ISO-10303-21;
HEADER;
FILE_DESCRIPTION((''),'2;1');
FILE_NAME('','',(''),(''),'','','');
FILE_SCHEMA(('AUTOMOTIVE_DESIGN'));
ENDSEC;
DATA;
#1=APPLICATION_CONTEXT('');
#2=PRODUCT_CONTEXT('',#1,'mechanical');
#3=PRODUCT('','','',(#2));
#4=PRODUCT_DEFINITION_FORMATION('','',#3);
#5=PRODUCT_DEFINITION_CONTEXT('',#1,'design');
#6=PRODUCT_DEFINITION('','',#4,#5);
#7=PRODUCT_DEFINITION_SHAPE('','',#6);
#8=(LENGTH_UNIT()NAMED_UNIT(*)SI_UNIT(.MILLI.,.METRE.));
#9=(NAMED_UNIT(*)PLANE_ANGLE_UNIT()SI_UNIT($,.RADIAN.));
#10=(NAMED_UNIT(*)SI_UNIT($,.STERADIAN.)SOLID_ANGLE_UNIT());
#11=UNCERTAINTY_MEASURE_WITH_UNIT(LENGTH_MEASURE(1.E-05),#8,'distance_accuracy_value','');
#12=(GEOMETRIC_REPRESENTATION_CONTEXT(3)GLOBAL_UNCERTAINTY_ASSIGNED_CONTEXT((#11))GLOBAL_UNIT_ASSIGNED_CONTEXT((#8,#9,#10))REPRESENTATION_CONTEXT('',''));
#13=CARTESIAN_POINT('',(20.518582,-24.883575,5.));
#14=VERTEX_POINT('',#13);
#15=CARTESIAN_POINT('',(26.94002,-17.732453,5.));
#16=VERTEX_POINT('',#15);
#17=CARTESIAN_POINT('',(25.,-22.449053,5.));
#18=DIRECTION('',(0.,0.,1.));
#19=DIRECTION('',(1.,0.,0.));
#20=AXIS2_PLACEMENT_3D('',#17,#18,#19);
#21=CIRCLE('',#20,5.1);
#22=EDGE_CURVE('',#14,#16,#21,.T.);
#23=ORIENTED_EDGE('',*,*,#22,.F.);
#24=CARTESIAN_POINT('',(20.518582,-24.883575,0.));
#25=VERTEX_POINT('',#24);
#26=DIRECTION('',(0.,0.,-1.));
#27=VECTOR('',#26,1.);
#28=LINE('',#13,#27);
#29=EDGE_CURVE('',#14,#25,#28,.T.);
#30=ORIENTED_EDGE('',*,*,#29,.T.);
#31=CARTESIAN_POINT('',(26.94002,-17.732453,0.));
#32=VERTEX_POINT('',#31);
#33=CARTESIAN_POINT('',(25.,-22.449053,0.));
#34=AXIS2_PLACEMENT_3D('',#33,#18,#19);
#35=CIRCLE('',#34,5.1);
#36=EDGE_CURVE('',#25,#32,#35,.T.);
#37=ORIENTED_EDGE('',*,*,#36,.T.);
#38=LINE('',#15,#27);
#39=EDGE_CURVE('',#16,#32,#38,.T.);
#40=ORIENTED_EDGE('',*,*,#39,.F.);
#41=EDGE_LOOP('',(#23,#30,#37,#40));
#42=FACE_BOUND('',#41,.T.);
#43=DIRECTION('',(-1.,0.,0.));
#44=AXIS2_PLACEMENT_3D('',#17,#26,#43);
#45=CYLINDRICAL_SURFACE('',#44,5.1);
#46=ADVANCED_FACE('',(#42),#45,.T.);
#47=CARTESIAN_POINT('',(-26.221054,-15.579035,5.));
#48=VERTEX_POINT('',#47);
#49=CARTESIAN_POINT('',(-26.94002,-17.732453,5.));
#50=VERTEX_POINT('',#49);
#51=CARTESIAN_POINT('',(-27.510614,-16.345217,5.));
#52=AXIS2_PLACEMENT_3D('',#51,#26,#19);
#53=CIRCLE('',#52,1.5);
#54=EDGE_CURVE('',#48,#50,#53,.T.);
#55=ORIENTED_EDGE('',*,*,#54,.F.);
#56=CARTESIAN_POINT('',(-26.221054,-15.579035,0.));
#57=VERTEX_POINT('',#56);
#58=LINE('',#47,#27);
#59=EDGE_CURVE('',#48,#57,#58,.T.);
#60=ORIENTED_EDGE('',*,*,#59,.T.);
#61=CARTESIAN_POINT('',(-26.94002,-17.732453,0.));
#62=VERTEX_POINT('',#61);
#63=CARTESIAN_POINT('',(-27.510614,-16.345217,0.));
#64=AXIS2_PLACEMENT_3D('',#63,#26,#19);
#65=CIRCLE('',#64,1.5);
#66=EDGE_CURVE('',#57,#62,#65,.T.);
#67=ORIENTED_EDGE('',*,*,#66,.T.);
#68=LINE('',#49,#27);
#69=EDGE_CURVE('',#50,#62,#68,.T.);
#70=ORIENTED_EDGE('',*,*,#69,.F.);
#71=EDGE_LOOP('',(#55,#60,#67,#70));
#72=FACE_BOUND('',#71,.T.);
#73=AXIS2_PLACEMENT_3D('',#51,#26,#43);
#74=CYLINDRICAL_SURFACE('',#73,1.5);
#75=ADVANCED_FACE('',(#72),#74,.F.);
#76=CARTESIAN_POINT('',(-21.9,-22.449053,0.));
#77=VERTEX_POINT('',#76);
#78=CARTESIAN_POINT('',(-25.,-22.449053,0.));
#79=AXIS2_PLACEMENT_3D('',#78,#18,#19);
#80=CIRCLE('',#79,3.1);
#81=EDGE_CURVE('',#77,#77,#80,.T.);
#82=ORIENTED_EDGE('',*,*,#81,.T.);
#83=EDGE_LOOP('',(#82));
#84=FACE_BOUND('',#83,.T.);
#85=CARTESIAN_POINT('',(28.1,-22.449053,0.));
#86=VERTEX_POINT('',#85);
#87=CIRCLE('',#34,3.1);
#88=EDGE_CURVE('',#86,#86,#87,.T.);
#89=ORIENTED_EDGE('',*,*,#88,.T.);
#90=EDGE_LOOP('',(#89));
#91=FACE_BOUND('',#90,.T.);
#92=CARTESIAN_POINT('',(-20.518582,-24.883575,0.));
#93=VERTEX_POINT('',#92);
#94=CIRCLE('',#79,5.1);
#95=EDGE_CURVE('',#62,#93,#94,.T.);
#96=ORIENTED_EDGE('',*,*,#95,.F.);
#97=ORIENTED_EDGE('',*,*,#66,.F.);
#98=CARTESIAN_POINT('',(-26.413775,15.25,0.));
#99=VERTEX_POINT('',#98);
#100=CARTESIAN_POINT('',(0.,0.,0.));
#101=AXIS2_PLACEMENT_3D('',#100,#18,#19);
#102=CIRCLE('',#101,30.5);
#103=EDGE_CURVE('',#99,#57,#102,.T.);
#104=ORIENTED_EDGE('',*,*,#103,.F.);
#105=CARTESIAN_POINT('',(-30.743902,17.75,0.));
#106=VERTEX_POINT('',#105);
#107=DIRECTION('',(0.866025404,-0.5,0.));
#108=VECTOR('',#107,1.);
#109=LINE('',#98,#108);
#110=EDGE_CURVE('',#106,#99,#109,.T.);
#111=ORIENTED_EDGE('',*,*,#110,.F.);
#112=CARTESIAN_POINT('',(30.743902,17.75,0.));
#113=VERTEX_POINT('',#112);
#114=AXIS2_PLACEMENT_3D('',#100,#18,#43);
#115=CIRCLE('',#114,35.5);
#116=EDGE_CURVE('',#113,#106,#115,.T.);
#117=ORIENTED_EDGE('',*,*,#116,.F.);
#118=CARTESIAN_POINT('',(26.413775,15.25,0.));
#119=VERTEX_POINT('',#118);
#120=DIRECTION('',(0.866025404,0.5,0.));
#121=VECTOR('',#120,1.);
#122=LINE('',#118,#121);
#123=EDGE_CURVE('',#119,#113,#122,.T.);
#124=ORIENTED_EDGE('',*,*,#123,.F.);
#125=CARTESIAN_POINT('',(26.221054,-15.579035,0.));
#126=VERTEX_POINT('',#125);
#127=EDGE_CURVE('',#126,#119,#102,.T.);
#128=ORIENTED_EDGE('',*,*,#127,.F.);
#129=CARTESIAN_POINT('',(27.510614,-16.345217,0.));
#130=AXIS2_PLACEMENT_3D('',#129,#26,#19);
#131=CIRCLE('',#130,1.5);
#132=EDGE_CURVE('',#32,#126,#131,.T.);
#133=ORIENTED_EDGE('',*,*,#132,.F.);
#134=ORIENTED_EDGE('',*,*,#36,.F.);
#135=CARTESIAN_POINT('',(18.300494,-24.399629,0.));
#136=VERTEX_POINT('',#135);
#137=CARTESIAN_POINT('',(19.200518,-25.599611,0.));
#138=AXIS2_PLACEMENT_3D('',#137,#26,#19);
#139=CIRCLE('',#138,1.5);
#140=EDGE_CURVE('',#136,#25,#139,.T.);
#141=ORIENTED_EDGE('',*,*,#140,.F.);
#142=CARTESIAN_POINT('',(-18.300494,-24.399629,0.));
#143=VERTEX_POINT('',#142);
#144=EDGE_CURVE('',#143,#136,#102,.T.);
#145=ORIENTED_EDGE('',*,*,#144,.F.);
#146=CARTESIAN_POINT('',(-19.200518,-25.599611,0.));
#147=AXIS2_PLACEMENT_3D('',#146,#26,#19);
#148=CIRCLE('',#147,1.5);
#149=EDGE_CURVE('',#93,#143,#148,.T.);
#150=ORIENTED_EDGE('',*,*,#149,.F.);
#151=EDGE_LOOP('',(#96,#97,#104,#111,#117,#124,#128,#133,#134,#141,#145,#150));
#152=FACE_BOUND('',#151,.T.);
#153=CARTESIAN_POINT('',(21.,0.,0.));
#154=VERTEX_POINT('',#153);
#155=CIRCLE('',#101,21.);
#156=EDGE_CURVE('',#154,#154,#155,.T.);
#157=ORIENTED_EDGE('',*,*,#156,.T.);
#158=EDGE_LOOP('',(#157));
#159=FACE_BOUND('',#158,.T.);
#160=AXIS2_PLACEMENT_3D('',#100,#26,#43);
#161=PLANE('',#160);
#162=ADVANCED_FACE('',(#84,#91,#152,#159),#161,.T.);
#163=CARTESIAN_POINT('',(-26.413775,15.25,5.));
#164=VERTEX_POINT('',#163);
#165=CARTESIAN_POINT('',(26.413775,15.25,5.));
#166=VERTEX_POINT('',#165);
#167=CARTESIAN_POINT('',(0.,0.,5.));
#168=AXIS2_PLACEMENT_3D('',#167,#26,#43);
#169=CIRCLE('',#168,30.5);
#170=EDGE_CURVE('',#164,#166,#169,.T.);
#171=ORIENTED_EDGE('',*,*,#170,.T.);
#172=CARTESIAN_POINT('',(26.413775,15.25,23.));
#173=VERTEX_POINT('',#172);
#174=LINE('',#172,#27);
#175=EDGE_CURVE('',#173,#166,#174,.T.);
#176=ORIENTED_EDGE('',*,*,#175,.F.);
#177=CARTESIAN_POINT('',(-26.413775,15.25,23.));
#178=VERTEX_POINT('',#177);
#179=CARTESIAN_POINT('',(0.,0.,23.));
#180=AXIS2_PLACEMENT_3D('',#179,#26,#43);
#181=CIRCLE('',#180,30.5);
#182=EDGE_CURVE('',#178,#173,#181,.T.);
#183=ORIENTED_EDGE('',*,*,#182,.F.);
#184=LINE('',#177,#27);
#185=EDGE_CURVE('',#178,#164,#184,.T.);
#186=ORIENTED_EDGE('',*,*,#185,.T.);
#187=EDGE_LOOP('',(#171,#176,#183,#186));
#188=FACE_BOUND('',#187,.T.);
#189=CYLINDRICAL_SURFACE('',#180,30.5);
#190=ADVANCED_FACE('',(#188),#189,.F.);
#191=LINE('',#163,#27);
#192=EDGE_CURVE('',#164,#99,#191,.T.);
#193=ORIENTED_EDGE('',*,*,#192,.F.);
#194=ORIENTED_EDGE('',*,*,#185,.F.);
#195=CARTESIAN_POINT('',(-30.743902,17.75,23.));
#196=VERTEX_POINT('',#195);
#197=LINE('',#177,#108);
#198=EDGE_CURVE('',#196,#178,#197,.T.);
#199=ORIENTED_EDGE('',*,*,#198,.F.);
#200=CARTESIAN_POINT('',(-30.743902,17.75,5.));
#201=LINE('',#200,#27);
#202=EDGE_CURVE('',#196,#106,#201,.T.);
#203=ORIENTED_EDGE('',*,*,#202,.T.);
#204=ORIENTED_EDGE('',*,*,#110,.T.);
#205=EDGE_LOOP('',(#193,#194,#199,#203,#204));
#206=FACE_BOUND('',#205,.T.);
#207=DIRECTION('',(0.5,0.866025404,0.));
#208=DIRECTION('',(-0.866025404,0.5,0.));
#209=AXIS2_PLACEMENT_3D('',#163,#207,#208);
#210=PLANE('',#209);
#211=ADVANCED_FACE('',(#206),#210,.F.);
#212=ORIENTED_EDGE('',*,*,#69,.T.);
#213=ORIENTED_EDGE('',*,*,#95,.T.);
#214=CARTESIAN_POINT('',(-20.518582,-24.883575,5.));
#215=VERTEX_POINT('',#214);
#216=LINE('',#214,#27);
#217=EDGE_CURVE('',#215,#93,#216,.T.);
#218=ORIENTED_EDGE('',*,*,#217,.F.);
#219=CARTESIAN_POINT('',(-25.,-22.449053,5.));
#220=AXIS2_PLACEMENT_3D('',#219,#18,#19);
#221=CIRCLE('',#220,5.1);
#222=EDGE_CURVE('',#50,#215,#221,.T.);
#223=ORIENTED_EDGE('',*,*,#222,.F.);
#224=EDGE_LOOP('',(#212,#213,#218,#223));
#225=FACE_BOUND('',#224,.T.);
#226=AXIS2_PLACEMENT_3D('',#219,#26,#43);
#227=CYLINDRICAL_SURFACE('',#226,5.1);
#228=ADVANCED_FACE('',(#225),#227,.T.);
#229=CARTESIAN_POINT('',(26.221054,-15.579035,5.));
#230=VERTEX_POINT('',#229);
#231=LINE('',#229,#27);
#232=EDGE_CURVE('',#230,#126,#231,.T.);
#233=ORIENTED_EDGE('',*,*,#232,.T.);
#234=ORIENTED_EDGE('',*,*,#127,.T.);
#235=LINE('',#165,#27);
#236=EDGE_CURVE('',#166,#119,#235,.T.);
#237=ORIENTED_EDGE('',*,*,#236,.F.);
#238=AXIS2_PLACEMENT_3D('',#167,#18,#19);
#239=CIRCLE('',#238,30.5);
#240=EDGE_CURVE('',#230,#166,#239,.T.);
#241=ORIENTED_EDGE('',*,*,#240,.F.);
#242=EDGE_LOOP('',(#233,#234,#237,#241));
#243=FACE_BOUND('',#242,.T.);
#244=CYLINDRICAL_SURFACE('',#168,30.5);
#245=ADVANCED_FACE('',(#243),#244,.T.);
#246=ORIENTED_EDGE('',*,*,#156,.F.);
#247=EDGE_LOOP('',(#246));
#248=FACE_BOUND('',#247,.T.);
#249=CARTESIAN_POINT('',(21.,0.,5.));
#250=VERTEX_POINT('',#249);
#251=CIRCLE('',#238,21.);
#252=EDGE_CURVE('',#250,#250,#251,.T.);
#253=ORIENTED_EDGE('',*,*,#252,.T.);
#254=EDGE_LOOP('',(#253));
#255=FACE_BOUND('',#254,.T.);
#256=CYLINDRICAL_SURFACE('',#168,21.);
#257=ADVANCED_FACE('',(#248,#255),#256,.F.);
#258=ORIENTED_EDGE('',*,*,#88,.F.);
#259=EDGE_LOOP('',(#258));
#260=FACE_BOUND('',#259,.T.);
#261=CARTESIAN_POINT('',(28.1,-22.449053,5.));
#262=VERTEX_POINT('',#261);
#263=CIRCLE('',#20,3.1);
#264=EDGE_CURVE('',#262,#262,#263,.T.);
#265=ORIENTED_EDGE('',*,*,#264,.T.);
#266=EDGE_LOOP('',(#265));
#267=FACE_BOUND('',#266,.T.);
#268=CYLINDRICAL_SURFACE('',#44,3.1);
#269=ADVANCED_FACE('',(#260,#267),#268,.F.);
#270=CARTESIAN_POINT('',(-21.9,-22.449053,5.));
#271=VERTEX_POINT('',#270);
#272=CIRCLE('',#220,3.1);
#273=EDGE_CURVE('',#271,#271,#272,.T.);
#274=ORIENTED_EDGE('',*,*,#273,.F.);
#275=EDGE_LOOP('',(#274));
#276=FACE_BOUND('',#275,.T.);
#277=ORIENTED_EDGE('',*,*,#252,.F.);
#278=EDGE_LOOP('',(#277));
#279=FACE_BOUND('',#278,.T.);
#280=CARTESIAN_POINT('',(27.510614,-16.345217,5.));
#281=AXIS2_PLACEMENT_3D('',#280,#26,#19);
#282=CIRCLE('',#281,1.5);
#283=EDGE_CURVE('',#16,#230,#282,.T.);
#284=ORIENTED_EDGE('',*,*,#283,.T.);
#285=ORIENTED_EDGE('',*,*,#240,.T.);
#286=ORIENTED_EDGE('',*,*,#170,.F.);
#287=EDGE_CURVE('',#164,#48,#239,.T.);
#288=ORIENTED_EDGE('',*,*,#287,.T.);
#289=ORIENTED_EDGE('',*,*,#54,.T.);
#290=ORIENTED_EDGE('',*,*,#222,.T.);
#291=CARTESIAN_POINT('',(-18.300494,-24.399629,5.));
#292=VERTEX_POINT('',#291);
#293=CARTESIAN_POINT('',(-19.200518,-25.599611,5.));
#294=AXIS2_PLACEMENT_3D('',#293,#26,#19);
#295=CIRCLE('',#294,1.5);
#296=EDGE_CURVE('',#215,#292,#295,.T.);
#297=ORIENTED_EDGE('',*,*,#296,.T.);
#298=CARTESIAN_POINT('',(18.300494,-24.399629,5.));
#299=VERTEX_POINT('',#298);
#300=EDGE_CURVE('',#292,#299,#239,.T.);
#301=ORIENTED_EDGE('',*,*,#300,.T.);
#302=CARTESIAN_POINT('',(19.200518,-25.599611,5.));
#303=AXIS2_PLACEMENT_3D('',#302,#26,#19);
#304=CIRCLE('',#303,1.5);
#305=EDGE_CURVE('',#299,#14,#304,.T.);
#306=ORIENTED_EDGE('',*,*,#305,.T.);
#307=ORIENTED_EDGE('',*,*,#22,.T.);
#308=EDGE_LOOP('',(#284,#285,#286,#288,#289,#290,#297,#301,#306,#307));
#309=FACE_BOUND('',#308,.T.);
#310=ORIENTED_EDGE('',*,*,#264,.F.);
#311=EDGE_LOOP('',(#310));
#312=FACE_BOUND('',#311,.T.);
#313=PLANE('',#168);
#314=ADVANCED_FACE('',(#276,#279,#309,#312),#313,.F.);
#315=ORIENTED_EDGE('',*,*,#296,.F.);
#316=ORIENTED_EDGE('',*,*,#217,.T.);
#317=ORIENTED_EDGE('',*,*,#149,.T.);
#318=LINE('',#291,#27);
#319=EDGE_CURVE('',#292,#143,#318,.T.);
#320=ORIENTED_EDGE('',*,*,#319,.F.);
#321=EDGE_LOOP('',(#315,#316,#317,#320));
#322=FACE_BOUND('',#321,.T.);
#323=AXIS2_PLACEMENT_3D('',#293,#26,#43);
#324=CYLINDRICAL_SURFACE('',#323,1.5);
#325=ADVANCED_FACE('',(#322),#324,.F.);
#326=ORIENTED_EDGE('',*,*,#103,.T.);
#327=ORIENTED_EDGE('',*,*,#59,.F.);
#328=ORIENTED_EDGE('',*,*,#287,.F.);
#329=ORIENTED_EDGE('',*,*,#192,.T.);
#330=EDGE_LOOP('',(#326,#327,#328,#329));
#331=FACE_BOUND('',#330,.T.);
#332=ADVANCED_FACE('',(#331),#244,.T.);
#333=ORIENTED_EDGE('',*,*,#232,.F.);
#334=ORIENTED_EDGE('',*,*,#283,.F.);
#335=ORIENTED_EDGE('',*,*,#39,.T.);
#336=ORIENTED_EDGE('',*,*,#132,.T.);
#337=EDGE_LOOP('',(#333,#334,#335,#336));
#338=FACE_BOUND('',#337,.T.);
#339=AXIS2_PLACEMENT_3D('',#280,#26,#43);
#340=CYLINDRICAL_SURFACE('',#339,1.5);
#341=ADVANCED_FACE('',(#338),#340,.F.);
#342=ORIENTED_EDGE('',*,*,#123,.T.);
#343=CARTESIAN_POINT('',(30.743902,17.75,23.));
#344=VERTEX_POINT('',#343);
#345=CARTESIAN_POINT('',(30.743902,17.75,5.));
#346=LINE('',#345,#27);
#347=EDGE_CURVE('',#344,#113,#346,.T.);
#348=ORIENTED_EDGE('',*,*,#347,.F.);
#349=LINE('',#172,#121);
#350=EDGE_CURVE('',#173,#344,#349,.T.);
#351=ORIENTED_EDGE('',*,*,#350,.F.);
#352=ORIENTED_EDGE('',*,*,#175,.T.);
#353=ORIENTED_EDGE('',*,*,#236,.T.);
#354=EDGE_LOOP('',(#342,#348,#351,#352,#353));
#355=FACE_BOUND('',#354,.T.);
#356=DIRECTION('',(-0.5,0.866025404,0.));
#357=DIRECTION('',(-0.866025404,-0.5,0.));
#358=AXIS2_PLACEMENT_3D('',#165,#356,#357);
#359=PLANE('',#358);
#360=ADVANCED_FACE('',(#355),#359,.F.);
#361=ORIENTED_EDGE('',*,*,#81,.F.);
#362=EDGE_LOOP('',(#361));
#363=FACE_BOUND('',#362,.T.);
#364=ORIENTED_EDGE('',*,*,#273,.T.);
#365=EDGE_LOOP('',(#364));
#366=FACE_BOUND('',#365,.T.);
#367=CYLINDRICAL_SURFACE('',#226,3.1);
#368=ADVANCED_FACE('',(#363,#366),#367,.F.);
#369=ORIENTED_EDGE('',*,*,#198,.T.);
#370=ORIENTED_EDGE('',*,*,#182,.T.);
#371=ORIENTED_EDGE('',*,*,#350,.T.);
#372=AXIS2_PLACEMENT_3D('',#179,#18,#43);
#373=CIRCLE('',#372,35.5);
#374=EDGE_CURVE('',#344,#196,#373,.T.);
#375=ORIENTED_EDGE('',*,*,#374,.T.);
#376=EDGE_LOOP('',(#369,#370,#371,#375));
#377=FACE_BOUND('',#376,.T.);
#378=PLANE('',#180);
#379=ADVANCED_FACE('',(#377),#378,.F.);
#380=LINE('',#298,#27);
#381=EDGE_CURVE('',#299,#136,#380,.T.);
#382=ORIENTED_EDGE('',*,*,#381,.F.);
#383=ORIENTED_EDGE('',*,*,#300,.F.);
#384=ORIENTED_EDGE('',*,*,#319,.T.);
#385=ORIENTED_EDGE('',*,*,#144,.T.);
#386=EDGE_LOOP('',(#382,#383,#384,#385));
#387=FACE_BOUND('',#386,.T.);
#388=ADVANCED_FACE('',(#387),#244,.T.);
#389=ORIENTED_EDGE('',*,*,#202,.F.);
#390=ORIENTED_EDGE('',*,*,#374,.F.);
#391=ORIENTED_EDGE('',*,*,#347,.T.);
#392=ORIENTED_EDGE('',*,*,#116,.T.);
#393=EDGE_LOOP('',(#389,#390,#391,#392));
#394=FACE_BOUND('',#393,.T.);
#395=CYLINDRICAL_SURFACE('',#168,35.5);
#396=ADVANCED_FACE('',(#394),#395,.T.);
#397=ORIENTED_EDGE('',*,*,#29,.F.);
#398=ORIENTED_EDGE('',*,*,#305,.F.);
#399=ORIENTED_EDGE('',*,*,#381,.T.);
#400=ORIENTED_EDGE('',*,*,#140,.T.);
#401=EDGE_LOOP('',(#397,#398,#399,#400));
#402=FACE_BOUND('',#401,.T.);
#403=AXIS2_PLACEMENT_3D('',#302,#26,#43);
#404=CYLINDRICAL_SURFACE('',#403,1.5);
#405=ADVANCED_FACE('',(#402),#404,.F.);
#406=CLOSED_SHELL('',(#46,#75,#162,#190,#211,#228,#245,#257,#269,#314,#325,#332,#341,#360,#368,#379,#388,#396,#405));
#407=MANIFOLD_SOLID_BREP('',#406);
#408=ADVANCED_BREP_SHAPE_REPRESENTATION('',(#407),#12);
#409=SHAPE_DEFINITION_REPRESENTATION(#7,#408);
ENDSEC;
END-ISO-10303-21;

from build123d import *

# Parameters (mm, degrees)
ESBO_O1_R                = 21
ESBO_O1_R_2              = 3.1
RESSALTO_EXTRUS_O1_DEPTH = 5
RESSALTO_EXTRUS_O2_DEPTH = 18


with BuildPart() as part:
    # Esboço1 → Ressalto-extrusão1 (new body)
    with BuildSketch(Plane.XY):
        with BuildLine():
            Line((-26.413774815, 15.25), (-30.743901834, 17.75))
            ThreePointArc((-30.743901834, 17.75), (0, 35.5), (30.743901834, 17.75))
            Line((30.743901834, 17.75), (26.413774815, 15.25))
            ThreePointArc((26.413774815, 15.25), (30.49940407, -0.19066032), (26.22105388, -15.579035061))
            ThreePointArc((26.22105388, -15.579035061), (26.087819075, -16.82024855), (26.940019837, -17.73245264))
            ThreePointArc((26.940019837, -17.73245264), (28.794642857, -25.856499042), (20.518582449, -24.883575301))
            ThreePointArc((20.518582449, -24.883575301), (19.520268693, -24.134087419), (18.30049416, -24.399629372))
            ThreePointArc((18.30049416, -24.399629372), (0, -30.5), (-18.30049416, -24.399629372))
            ThreePointArc((-18.30049416, -24.399629372), (-19.520268693, -24.134087419), (-20.518582449, -24.883575301))
            ThreePointArc((-20.518582449, -24.883575301), (-28.794642857, -25.856499042), (-26.940019837, -17.73245264))
            ThreePointArc((-26.940019837, -17.73245264), (-26.087819075, -16.82024855), (-26.22105388, -15.579035061))
            ThreePointArc((-26.22105388, -15.579035061), (-30.49940407, -0.19066032), (-26.413774815, 15.25))
        make_face()
        Circle(ESBO_O1_R, mode=Mode.SUBTRACT)
        with Locations((25, -22.449053432)):
            Circle(ESBO_O1_R_2, mode=Mode.SUBTRACT)
        with Locations((-25, -22.449053432)):
            Circle(ESBO_O1_R_2, mode=Mode.SUBTRACT)
    extrude(amount=RESSALTO_EXTRUS_O1_DEPTH)

    # Esboço2 → Ressalto-extrusão2 (add)
    with BuildSketch(Plane.XY.offset(5)):
        with BuildLine():
            Line((-26.413774815, 15.25), (-30.743901834, 17.75))
            ThreePointArc((-30.743901834, 17.75), (0, 35.5), (30.743901834, 17.75))
            Line((30.743901834, 17.75), (26.413774815, 15.25))
            ThreePointArc((26.413774815, 15.25), (0, 30.5), (-26.413774815, 15.25))
        make_face()
    extrude(amount=RESSALTO_EXTRUS_O2_DEPTH)


solid = part.part
